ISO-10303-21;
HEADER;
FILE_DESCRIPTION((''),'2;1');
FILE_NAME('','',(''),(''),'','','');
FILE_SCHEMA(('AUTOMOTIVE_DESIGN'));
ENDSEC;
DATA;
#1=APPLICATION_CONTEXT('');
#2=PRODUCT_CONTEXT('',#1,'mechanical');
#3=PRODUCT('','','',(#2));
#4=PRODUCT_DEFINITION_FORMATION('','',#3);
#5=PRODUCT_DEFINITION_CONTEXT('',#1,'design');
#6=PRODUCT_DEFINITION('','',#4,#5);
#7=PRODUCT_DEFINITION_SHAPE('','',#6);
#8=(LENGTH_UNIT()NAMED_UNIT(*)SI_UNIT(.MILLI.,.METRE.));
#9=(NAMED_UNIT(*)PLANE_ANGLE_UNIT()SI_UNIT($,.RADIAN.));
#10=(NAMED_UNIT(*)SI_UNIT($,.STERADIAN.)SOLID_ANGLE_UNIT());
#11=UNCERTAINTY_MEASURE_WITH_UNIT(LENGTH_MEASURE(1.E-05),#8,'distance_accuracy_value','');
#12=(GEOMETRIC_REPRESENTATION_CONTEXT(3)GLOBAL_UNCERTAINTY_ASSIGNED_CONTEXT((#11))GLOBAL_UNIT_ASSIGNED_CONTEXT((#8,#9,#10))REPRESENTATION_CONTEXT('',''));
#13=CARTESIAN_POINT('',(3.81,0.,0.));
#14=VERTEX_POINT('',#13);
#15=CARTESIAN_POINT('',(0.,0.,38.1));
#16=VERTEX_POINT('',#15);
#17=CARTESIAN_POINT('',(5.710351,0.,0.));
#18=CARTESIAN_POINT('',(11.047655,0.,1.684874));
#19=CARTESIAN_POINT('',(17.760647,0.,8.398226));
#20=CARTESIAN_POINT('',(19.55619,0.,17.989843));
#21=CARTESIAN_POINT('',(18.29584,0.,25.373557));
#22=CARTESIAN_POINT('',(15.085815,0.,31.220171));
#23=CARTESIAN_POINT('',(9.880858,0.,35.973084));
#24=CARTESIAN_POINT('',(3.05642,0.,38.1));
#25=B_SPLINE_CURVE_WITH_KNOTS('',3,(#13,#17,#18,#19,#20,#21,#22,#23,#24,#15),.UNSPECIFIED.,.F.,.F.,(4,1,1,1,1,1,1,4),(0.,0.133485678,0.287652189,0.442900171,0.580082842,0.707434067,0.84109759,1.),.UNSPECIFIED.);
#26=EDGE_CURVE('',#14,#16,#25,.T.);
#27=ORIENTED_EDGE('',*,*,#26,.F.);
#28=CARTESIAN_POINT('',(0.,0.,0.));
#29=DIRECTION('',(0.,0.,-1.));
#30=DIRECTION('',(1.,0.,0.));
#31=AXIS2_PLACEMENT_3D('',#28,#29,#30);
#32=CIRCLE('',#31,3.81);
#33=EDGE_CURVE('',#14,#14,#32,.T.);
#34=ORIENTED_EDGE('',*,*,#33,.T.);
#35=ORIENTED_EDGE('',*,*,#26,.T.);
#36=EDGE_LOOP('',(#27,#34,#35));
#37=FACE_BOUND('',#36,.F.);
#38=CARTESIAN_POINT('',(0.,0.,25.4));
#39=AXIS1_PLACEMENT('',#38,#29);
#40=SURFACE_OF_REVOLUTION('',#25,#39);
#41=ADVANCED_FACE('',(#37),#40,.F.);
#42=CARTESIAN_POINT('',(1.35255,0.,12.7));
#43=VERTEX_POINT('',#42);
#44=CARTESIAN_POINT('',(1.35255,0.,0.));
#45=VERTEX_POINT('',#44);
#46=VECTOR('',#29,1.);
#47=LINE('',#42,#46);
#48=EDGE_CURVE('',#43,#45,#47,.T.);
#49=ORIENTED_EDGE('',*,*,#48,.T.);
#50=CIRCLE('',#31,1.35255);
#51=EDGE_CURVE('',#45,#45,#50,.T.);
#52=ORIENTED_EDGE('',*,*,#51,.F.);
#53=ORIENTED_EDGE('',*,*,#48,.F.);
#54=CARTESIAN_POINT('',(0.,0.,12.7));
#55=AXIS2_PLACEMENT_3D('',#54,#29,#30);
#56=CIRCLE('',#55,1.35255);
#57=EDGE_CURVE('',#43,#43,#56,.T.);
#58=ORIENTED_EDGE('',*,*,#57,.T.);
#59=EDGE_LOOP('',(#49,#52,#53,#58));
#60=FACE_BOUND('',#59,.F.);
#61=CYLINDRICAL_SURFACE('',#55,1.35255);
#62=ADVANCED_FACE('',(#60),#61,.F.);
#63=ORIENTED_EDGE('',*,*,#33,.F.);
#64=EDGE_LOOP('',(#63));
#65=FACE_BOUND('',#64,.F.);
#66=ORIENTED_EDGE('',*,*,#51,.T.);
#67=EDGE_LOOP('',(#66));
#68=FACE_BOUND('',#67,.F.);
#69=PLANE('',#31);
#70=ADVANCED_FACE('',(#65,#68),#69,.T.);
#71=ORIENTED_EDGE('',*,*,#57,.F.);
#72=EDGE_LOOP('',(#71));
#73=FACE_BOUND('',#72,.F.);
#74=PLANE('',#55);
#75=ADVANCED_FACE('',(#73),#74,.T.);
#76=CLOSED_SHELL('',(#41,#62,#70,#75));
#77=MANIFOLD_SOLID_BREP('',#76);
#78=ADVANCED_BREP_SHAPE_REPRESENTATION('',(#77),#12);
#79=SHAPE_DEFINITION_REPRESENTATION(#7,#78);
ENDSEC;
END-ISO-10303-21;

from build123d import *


with BuildPart() as f1:
    # F0 (on Front) → F1 (revolve)
    with BuildSketch(Plane.XZ):
        with BuildLine():
            Line((1.35255, 12.7), (1.35255, 0))
            Line((1.35255, 0), (3.81, 0))
            add(Edge.make_bspline(
                [(3.81, 0), (5.7103510496, 0), (11.0476554315, 1.6848743916), (17.760647439, 8.3982261221), (19.5561904334, 17.989843303), (18.2958398926, 25.3735565008), (15.0858149108, 31.2201708759), (9.880858129, 35.9730835319), (3.0564195196, 38.1), (0, 38.1)],
                knots=[0, 0, 0, 0, 0.1334856775, 0.287652189, 0.442900171, 0.5800828425, 0.7074340674, 0.8410975899, 1, 1, 1, 1], degree=3))
            Line((0, 38.1), (0, 12.7))
            Line((0, 12.7), (1.35255, 12.7))
        make_face()
    revolve(axis=Axis((0, 0, 25.4), (0, 0, -1)))


solid = f1.part
